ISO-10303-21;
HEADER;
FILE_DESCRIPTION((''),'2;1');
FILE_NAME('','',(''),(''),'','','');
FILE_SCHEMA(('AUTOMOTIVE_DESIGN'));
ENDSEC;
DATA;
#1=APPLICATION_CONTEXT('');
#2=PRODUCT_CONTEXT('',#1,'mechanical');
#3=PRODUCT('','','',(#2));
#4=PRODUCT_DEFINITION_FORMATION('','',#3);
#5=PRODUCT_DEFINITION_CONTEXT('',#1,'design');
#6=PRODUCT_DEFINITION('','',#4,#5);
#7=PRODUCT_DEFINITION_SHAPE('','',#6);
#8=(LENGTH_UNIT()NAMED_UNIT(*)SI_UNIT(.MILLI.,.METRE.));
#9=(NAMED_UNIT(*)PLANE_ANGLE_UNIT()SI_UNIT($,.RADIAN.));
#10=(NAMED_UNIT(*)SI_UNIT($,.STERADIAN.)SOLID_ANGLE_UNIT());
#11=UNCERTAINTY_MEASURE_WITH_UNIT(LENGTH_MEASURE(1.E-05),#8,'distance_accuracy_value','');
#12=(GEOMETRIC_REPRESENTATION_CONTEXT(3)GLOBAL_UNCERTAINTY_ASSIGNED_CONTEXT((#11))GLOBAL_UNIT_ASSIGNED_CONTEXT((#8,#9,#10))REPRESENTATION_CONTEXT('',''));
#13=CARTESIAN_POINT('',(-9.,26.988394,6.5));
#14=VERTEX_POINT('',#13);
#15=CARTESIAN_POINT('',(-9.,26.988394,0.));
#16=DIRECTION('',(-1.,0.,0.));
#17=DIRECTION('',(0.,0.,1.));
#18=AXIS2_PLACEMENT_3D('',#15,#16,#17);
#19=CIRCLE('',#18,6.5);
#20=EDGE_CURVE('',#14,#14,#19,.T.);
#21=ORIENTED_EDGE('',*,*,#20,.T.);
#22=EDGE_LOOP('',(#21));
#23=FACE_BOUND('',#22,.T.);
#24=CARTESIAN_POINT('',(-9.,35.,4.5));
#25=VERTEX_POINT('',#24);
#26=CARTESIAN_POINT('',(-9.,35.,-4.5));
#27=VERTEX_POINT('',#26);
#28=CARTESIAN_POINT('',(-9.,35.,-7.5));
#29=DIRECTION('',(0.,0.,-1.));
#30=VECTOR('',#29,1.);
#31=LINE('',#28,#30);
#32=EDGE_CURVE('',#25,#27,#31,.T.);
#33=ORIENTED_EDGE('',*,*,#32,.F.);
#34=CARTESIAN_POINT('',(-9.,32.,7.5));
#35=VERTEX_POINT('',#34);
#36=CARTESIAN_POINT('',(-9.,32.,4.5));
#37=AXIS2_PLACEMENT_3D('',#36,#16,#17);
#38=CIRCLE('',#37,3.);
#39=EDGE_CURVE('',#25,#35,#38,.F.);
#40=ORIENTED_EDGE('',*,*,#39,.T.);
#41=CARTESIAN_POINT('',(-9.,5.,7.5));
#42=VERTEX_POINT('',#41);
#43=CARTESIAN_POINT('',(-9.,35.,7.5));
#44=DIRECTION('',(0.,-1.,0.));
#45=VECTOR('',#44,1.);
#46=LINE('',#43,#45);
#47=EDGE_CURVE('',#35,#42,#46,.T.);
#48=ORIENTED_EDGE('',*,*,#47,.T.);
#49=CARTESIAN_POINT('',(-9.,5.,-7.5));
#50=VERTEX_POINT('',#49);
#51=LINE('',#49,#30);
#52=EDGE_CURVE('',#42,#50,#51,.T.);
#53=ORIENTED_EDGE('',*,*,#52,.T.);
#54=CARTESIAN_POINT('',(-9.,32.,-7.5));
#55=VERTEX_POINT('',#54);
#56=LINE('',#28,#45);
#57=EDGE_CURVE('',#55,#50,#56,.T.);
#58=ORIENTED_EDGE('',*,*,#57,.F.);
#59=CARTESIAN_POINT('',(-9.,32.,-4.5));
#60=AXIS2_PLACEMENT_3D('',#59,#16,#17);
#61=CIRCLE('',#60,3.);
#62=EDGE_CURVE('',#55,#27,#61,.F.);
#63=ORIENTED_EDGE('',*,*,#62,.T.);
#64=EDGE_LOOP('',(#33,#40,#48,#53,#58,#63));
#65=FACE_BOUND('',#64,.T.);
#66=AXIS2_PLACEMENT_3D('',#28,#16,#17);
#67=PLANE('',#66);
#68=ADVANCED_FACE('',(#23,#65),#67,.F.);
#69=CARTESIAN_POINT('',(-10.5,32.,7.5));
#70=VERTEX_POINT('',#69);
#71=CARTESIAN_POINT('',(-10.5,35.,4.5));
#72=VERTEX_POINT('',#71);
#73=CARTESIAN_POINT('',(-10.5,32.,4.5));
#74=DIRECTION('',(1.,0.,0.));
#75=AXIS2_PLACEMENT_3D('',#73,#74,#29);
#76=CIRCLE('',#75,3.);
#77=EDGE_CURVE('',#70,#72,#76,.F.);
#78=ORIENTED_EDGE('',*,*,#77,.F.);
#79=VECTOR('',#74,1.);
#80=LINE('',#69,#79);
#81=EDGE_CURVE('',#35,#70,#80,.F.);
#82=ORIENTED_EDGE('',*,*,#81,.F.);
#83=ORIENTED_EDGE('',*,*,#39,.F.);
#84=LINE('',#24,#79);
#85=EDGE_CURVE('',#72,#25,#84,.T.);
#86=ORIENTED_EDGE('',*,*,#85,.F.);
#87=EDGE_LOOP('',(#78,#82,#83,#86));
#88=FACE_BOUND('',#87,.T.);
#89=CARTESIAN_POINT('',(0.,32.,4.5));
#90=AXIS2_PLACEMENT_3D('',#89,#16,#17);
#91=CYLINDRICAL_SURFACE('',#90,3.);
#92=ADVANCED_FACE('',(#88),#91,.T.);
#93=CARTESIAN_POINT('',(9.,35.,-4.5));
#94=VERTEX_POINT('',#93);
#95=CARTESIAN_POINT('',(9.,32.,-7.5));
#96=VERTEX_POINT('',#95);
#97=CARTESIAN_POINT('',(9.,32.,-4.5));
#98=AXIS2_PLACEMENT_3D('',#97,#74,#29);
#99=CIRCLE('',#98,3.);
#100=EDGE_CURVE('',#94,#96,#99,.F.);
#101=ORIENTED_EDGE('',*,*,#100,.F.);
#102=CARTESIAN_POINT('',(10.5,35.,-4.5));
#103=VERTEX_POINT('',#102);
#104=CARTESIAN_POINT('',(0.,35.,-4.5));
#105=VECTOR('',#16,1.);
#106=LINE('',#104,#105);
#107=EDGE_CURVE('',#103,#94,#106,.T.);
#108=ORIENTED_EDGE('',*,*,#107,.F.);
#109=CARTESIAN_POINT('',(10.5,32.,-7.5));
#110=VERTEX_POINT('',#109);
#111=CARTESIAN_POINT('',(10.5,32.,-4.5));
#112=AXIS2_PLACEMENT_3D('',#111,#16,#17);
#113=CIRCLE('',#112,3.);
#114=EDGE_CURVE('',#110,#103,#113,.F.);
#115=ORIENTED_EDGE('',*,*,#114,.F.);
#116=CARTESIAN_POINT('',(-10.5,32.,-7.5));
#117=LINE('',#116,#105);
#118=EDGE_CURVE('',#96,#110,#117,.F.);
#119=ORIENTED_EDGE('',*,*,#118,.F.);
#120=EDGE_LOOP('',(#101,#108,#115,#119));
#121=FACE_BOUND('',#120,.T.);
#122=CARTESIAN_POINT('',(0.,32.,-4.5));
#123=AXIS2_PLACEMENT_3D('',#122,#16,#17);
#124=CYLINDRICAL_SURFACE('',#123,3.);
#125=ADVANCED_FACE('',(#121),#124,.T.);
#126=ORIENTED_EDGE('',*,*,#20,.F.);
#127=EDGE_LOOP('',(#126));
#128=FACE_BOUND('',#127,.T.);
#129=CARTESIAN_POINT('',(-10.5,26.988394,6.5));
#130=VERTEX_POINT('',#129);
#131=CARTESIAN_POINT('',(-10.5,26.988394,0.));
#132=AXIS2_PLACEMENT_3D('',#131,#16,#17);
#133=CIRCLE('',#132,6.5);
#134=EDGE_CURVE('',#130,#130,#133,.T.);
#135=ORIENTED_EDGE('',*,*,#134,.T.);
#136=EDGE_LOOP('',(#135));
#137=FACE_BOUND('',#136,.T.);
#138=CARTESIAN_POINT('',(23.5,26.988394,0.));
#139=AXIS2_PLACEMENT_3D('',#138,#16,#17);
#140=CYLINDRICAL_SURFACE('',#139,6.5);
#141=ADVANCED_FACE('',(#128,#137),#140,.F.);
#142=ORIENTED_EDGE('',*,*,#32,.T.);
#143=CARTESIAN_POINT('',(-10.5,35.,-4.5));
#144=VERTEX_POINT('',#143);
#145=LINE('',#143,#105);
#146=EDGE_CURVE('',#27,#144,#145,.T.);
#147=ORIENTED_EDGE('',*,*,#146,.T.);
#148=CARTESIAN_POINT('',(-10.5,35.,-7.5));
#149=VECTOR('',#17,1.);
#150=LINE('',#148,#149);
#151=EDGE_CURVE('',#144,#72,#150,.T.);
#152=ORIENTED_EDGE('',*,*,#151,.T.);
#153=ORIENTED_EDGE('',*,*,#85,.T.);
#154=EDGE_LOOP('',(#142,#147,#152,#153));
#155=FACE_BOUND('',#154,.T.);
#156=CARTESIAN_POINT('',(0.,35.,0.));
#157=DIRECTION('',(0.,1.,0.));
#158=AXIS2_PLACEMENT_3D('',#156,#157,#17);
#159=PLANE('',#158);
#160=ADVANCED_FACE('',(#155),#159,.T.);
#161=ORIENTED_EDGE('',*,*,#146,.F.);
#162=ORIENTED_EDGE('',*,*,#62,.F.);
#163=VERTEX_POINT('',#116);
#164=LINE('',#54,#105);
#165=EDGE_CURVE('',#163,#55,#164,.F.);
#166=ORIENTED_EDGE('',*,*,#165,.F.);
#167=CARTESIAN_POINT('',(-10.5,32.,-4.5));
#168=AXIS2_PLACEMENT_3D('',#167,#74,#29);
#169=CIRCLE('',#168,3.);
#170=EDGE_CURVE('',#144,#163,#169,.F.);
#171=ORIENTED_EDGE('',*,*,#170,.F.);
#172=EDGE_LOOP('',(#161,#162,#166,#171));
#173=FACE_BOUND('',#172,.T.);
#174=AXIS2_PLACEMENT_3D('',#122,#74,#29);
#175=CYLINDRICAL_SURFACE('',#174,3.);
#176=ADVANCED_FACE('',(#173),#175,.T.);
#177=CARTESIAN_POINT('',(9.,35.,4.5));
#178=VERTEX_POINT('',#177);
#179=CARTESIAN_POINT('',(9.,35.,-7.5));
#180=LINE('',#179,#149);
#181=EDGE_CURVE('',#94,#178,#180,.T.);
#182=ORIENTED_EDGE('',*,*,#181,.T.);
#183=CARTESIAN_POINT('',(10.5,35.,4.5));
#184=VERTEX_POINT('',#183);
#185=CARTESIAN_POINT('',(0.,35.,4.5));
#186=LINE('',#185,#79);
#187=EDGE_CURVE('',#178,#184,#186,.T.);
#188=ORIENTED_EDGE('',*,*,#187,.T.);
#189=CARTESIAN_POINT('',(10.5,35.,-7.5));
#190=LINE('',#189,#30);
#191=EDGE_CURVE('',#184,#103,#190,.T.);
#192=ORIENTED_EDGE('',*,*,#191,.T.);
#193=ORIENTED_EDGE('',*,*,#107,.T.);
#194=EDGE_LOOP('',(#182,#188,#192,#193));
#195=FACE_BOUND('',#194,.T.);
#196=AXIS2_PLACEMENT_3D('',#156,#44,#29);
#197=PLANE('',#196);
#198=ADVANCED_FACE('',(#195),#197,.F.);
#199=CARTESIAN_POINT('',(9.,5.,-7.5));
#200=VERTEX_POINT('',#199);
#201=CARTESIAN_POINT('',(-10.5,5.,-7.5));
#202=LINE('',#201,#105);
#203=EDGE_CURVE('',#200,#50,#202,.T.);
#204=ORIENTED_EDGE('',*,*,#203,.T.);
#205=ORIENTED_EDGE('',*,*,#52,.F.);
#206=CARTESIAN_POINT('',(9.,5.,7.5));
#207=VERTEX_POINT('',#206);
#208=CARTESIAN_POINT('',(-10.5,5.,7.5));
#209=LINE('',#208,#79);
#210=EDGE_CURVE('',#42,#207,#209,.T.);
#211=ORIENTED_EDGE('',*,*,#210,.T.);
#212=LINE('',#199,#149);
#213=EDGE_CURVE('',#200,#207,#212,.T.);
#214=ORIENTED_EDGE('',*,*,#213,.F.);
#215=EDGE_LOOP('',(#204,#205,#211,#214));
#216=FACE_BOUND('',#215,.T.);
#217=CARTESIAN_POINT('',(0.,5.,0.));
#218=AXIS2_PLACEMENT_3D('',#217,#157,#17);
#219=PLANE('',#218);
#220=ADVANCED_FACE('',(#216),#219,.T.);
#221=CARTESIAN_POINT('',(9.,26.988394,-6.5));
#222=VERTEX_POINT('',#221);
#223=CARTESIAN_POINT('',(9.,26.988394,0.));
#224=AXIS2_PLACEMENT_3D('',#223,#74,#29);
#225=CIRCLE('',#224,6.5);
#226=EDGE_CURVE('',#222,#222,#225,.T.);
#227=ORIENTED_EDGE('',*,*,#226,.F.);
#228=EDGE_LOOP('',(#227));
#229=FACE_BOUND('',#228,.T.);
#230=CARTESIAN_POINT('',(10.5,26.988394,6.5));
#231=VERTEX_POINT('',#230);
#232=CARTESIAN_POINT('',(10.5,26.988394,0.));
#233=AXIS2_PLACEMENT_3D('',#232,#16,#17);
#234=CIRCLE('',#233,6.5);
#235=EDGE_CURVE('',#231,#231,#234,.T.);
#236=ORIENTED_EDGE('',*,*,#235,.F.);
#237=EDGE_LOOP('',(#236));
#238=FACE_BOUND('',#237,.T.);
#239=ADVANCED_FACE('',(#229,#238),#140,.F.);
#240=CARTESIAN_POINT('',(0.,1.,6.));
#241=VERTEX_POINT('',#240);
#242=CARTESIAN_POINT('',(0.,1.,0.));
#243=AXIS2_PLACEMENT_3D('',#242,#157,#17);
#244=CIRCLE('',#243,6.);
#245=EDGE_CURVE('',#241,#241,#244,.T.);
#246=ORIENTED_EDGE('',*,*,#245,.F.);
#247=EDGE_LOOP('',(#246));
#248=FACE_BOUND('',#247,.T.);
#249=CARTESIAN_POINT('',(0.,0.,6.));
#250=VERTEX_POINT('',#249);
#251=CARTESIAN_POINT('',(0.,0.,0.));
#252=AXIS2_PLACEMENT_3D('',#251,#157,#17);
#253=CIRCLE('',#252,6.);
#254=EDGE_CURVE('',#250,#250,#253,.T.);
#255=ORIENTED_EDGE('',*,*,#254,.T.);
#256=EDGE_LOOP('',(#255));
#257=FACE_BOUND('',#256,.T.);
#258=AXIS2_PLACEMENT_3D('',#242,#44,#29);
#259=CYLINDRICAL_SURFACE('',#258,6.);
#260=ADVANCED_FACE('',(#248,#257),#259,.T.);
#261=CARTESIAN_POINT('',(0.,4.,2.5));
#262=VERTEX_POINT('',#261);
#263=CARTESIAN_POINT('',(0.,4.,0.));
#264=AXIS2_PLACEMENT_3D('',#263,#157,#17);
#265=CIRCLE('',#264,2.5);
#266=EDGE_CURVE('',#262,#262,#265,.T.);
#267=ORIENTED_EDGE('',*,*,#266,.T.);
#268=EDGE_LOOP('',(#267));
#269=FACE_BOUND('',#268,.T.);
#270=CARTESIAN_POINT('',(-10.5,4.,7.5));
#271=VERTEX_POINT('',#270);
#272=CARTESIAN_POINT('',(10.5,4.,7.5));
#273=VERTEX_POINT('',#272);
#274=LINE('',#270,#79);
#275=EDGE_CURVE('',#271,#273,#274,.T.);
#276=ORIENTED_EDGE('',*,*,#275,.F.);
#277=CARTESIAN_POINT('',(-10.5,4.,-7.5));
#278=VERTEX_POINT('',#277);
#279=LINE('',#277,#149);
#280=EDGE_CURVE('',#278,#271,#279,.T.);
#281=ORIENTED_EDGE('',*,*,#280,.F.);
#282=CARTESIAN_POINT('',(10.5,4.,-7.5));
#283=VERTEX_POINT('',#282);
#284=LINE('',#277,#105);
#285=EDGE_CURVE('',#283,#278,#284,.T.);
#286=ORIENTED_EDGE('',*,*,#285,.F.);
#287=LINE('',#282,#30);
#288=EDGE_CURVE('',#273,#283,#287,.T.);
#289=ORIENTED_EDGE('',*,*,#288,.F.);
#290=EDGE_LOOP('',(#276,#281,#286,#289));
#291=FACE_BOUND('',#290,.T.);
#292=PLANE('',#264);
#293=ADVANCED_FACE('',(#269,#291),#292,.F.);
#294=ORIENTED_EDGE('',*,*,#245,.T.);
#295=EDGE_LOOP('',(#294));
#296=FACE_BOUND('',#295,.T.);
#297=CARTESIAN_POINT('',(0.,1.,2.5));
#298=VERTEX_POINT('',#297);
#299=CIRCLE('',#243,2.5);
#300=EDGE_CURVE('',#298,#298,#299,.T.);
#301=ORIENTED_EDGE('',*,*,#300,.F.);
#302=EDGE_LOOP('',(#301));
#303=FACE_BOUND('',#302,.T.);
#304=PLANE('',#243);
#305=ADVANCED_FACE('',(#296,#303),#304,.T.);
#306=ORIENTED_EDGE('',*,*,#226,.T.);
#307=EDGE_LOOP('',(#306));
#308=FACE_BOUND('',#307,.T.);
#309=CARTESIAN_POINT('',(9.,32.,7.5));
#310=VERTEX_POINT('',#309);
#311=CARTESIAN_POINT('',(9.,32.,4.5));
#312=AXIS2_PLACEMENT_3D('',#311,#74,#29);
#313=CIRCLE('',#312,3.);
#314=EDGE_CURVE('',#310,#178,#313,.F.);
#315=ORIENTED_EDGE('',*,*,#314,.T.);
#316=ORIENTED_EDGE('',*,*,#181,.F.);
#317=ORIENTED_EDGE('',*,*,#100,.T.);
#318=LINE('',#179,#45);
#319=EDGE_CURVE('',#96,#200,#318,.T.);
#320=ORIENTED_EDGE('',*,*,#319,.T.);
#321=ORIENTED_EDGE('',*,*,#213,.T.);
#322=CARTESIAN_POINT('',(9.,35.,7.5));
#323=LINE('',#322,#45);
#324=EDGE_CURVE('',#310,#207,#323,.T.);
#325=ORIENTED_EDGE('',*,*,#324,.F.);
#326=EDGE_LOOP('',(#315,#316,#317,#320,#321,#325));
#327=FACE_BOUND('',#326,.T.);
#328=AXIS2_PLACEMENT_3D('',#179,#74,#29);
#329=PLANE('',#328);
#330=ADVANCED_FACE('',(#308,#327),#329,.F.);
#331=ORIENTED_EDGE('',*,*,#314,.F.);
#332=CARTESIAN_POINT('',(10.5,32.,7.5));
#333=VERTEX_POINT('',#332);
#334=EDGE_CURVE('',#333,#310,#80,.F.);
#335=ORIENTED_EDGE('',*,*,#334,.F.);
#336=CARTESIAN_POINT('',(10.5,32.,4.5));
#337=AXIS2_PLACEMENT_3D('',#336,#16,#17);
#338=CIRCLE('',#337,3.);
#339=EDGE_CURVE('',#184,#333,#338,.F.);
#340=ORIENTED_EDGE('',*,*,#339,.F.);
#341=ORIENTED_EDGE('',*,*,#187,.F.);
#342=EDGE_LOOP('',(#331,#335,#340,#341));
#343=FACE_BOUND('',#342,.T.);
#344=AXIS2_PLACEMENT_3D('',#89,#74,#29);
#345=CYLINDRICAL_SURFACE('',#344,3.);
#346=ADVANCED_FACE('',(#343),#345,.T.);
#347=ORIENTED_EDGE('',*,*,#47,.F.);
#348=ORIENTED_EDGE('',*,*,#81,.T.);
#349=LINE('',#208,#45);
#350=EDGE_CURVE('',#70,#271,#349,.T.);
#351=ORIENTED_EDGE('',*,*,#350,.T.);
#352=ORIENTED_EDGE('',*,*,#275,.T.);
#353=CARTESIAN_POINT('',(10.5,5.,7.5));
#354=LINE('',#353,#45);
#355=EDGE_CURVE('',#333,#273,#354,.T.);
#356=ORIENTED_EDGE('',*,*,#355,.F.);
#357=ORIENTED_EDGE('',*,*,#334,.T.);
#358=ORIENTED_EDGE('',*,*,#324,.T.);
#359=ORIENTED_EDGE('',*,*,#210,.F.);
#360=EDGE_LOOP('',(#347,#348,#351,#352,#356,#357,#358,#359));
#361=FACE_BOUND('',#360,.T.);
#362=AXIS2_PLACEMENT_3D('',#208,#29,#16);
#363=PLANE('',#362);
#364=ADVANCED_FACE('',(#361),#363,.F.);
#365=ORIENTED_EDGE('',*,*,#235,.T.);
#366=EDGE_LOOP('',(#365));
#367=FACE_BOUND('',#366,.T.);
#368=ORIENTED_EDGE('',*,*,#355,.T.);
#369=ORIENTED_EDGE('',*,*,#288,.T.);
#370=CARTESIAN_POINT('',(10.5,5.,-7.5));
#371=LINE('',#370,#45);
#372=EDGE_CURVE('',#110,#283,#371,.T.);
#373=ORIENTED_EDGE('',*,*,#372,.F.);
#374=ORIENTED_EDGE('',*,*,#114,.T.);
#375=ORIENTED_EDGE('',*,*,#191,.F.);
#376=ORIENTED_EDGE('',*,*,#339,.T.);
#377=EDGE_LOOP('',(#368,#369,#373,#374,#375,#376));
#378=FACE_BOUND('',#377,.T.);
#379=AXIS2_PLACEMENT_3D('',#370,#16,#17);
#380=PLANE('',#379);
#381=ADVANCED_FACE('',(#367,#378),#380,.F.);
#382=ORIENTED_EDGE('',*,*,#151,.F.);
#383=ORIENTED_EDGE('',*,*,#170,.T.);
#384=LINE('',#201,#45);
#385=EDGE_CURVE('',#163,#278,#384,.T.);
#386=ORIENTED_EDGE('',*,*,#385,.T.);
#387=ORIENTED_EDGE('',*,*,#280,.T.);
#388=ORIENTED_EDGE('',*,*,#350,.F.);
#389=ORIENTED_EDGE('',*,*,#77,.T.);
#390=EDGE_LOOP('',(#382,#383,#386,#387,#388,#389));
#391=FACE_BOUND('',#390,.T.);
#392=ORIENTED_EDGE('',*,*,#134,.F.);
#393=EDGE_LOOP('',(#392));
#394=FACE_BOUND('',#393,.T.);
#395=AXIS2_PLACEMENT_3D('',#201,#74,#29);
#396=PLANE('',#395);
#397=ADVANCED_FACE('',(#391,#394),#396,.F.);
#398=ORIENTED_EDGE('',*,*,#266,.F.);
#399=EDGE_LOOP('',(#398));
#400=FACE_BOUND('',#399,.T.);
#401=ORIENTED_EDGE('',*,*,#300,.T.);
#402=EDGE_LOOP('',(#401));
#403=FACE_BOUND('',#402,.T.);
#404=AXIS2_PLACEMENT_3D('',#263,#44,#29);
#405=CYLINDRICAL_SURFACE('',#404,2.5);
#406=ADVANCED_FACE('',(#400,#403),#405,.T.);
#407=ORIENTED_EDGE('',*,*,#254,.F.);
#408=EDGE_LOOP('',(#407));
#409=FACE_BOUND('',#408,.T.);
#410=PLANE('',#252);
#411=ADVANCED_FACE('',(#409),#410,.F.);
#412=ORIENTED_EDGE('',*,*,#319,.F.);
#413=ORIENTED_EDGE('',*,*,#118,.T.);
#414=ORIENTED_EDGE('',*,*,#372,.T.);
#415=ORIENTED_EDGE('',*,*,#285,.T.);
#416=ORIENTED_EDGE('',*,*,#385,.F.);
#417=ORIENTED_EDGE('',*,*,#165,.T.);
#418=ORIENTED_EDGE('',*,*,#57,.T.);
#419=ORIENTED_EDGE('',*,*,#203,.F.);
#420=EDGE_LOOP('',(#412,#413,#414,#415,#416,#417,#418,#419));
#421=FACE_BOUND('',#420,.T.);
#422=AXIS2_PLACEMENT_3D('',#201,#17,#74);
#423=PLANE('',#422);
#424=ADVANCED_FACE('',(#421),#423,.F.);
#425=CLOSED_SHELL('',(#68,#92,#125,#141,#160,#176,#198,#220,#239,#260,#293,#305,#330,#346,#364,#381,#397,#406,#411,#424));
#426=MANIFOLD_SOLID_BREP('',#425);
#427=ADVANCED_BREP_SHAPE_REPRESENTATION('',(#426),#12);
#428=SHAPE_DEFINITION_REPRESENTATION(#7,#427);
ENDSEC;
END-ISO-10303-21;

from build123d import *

# Parameters (mm, degrees)
CROQUIS1_R              = 6
SALIENTE_EXTRUIR1_DEPTH = 1
CROQUIS2_R              = 2.5
SALIENTE_EXTRUIR2_DEPTH = 3
CROQUIS3_W              = 21
CROQUIS3_H              = 15
SALIENTE_EXTRUIR3_DEPTH = 1
CROQUIS4_W              = 1.5
CROQUIS4_H              = 15
SALIENTE_EXTRUIR4_DEPTH = 30
CROQUIS5_R              = 6.5
CORTAR_EXTRUIR1_DEPTH   = 34
REDONDEO1_R             = 3


with BuildPart() as part:
    # Croquis1 → Saliente-Extruir1 (new body)
    with BuildSketch(Plane(origin=(0, 0, 0), x_dir=(1, 0, 0), z_dir=(0, 1, 0))):
        with Locations(Location((0, 0, 0), (0, 0, 270))):
            Circle(CROQUIS1_R)
    extrude(amount=SALIENTE_EXTRUIR1_DEPTH)

    # Croquis2 → Saliente-Extruir2 (add)
    with BuildSketch(Plane(origin=(0, 1, 0), x_dir=(1, 0, 0), z_dir=(0, 1, 0))):
        with Locations(Location((0, 0, 0), (0, 0, 270))):
            Circle(CROQUIS2_R)
    extrude(amount=SALIENTE_EXTRUIR2_DEPTH)

    # Croquis3 → Saliente-Extruir3 (add)
    with BuildSketch(Plane(origin=(0, 4, 0), x_dir=(1, 0, 0), z_dir=(0, 1, 0))):
        Rectangle(CROQUIS3_W, CROQUIS3_H)
    extrude(amount=SALIENTE_EXTRUIR3_DEPTH)

    # Croquis4 → Saliente-Extruir4 (add)
    with BuildSketch(Plane(origin=(0, 5, 0), x_dir=(1, 0, 0), z_dir=(0, 1, 0))):
        with Locations((-9.75, 0)):
            Rectangle(CROQUIS4_W, CROQUIS4_H)
        with Locations((9.75, 0)):
            Rectangle(CROQUIS4_W, CROQUIS4_H)
    extrude(amount=SALIENTE_EXTRUIR4_DEPTH)

    # Croquis5 → Cortar-Extruir1 (cut)
    with BuildSketch(Plane.ZY.offset(10.5)):
        with Locations((0, 26.988393785)):
            Circle(CROQUIS5_R)
    extrude(amount=-CORTAR_EXTRUIR1_DEPTH, mode=Mode.SUBTRACT)

    # Redondeo1
    redondeo1_edges = [part.edges().sort_by_distance(p)[0] for p in [
        (-9.75, 35, 7.5),
        (-9.75, 35, -7.5),
        (9.75, 35, -7.5),
        (9.75, 35, 7.5),
    ]]
    fillet(redondeo1_edges, radius=REDONDEO1_R)


solid = part.part
